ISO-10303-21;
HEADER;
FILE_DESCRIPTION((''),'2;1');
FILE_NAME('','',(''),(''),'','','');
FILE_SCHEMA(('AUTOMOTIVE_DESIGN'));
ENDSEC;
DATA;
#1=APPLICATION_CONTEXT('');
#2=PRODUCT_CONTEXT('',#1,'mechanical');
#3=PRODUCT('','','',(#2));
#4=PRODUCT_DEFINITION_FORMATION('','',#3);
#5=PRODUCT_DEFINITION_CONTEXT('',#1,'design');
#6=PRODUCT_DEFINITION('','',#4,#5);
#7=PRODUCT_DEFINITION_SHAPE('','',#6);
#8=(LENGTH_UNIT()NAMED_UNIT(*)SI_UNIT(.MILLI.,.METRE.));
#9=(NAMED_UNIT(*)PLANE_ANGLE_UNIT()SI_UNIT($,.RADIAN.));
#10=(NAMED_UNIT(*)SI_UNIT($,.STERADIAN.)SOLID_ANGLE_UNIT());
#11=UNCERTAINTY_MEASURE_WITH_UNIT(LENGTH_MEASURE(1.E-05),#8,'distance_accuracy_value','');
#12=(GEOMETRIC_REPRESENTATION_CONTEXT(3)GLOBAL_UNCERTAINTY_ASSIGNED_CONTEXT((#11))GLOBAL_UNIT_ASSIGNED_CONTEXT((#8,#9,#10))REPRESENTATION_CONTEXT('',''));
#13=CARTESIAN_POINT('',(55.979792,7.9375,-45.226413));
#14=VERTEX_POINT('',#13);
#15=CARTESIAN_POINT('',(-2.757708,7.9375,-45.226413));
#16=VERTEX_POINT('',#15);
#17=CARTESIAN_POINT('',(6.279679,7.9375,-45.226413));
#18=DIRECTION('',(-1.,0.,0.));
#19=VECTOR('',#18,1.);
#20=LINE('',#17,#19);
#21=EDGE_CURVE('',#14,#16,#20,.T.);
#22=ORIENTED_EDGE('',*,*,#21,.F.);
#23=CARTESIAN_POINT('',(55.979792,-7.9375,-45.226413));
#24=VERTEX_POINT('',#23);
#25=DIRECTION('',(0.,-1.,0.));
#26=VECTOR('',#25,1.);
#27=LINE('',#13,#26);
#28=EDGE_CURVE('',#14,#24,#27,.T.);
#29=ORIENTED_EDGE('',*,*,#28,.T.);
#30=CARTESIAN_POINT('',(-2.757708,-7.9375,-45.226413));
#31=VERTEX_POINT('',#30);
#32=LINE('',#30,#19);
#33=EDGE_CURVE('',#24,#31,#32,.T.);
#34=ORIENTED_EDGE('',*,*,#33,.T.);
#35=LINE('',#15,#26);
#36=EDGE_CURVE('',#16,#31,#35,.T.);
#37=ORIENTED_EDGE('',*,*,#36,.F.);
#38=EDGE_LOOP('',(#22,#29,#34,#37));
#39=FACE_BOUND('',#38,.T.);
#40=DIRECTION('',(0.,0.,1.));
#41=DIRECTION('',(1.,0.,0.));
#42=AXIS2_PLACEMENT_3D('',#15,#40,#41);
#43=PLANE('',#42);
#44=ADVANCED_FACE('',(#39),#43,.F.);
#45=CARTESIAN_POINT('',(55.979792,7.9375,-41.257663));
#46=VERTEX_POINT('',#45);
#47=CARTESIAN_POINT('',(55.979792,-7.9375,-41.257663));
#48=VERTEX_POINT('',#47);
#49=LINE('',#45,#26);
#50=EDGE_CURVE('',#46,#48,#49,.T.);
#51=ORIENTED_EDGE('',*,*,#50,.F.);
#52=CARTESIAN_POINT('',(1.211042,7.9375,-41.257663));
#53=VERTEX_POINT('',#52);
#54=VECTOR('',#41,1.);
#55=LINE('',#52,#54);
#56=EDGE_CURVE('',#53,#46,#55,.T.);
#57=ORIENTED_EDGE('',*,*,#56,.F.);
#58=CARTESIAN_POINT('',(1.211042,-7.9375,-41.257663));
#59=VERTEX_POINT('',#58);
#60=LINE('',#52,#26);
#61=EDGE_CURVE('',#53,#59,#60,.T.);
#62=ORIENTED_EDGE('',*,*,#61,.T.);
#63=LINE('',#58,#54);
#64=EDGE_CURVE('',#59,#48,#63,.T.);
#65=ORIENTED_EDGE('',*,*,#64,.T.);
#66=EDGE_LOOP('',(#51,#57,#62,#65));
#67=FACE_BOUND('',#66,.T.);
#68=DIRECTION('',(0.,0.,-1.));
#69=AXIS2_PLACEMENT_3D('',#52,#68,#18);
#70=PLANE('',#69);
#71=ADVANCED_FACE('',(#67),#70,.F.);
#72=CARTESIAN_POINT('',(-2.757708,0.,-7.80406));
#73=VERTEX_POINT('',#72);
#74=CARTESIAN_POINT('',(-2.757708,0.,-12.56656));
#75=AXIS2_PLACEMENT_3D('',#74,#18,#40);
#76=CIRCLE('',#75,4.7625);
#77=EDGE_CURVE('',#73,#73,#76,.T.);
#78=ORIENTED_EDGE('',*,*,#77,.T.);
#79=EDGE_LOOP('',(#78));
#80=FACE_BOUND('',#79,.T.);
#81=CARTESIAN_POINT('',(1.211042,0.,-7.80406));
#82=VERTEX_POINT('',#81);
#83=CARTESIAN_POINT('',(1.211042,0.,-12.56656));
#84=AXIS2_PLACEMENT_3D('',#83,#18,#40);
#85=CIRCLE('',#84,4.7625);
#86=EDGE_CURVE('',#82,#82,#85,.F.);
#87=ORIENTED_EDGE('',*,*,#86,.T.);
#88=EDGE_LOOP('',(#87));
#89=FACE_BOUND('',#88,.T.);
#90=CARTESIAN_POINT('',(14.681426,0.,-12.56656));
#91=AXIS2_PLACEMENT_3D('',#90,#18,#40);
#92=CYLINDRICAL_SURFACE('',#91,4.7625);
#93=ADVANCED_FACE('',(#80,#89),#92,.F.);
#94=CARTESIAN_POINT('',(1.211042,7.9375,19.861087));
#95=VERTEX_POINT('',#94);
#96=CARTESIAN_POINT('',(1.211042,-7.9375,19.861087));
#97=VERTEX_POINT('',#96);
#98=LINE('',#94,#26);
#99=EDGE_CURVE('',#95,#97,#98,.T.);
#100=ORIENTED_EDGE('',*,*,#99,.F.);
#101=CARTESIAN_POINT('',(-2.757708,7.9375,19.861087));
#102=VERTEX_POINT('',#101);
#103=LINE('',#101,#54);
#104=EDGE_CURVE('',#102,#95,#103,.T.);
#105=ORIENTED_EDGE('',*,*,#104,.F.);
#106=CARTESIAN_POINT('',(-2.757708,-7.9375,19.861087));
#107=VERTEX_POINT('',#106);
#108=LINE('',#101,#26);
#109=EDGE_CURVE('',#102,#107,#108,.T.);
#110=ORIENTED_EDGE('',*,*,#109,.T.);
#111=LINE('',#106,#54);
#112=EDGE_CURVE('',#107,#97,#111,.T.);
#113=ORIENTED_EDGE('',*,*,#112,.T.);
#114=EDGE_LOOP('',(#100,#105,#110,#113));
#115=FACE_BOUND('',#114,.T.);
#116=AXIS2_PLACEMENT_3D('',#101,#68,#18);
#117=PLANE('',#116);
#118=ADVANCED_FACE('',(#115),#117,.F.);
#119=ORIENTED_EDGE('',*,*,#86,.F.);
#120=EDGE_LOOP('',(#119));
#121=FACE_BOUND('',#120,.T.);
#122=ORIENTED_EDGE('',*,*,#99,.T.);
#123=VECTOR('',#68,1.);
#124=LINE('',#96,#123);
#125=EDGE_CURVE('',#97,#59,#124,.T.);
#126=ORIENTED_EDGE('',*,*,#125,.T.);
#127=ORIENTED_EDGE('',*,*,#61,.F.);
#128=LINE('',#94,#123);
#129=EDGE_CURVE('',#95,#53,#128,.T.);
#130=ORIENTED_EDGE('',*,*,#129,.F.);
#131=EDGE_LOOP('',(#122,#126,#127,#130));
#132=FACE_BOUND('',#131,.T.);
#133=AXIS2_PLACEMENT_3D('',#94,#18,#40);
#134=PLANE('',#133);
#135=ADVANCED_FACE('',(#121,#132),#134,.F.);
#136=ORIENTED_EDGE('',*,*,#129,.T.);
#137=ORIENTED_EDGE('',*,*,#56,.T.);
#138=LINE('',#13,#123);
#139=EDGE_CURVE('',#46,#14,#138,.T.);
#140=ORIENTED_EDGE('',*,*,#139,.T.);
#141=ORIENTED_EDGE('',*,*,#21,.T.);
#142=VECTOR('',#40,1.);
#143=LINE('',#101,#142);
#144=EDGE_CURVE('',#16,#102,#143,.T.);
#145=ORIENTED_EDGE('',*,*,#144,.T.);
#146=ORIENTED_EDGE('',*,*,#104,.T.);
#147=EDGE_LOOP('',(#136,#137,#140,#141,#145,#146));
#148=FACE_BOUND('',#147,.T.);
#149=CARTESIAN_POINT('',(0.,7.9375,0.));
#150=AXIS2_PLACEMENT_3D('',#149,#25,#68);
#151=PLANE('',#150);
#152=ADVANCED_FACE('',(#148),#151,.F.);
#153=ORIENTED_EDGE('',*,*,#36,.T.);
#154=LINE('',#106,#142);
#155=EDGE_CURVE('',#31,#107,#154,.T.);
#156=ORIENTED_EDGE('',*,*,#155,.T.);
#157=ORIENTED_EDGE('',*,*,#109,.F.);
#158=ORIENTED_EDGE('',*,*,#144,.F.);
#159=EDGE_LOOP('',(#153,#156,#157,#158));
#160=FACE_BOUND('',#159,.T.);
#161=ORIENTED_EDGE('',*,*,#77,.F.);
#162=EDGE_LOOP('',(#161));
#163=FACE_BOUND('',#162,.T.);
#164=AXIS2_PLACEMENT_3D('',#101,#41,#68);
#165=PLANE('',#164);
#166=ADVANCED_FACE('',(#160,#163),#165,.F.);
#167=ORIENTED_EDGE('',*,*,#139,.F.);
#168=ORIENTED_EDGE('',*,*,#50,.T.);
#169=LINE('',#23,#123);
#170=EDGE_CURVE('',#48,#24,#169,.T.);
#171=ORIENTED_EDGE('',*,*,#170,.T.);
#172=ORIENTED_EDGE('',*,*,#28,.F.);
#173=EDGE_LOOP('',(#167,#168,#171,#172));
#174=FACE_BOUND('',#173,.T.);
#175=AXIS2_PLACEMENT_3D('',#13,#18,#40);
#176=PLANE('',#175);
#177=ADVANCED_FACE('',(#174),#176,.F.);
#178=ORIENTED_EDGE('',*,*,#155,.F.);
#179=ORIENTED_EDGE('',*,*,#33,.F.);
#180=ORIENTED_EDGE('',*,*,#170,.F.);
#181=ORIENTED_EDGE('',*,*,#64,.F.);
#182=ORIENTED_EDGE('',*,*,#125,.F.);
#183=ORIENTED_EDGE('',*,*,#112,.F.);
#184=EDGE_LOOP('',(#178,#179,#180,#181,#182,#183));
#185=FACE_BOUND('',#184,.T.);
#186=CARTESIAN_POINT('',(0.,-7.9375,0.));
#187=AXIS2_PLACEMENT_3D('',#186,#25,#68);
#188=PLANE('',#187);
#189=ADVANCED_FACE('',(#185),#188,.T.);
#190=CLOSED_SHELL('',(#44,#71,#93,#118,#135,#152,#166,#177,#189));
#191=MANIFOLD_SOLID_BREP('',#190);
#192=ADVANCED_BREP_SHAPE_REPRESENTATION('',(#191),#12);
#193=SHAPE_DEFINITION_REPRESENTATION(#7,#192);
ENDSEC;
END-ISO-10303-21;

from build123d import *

# Parameters (mm, degrees)
BOSS_EXTRUDE1_DEPTH = 7.9375
SKETCH3_R           = 4.7625
CUT_EXTRUDE1_DEPTH  = 3.96875


with BuildPart() as part:
    # Sketch1 → Boss-Extrude1 (new, symmetric)
    with BuildSketch(Plane(origin=(0, 0, 0), x_dir=(1, 0, 0), z_dir=(0, 1, 0))):
        Polygon((-2.757708096, -19.86108723), (1.211041904, -19.86108723), (1.211041904, 41.25766277), (55.979791904, 41.25766277), (55.979791904, 45.22641277), (6.27967861, 45.22641277), (-2.757708096, 45.22641277), align=None)
    extrude(amount=BOSS_EXTRUDE1_DEPTH, both=True)

    # Sketch3 → Cut-Extrude1 (cut)
    with BuildSketch(Plane.ZY.offset(2.757708096)):
        with Locations((-12.566559842, 0)):
            Circle(SKETCH3_R)
    extrude(amount=-CUT_EXTRUDE1_DEPTH, mode=Mode.SUBTRACT)


solid = part.part
